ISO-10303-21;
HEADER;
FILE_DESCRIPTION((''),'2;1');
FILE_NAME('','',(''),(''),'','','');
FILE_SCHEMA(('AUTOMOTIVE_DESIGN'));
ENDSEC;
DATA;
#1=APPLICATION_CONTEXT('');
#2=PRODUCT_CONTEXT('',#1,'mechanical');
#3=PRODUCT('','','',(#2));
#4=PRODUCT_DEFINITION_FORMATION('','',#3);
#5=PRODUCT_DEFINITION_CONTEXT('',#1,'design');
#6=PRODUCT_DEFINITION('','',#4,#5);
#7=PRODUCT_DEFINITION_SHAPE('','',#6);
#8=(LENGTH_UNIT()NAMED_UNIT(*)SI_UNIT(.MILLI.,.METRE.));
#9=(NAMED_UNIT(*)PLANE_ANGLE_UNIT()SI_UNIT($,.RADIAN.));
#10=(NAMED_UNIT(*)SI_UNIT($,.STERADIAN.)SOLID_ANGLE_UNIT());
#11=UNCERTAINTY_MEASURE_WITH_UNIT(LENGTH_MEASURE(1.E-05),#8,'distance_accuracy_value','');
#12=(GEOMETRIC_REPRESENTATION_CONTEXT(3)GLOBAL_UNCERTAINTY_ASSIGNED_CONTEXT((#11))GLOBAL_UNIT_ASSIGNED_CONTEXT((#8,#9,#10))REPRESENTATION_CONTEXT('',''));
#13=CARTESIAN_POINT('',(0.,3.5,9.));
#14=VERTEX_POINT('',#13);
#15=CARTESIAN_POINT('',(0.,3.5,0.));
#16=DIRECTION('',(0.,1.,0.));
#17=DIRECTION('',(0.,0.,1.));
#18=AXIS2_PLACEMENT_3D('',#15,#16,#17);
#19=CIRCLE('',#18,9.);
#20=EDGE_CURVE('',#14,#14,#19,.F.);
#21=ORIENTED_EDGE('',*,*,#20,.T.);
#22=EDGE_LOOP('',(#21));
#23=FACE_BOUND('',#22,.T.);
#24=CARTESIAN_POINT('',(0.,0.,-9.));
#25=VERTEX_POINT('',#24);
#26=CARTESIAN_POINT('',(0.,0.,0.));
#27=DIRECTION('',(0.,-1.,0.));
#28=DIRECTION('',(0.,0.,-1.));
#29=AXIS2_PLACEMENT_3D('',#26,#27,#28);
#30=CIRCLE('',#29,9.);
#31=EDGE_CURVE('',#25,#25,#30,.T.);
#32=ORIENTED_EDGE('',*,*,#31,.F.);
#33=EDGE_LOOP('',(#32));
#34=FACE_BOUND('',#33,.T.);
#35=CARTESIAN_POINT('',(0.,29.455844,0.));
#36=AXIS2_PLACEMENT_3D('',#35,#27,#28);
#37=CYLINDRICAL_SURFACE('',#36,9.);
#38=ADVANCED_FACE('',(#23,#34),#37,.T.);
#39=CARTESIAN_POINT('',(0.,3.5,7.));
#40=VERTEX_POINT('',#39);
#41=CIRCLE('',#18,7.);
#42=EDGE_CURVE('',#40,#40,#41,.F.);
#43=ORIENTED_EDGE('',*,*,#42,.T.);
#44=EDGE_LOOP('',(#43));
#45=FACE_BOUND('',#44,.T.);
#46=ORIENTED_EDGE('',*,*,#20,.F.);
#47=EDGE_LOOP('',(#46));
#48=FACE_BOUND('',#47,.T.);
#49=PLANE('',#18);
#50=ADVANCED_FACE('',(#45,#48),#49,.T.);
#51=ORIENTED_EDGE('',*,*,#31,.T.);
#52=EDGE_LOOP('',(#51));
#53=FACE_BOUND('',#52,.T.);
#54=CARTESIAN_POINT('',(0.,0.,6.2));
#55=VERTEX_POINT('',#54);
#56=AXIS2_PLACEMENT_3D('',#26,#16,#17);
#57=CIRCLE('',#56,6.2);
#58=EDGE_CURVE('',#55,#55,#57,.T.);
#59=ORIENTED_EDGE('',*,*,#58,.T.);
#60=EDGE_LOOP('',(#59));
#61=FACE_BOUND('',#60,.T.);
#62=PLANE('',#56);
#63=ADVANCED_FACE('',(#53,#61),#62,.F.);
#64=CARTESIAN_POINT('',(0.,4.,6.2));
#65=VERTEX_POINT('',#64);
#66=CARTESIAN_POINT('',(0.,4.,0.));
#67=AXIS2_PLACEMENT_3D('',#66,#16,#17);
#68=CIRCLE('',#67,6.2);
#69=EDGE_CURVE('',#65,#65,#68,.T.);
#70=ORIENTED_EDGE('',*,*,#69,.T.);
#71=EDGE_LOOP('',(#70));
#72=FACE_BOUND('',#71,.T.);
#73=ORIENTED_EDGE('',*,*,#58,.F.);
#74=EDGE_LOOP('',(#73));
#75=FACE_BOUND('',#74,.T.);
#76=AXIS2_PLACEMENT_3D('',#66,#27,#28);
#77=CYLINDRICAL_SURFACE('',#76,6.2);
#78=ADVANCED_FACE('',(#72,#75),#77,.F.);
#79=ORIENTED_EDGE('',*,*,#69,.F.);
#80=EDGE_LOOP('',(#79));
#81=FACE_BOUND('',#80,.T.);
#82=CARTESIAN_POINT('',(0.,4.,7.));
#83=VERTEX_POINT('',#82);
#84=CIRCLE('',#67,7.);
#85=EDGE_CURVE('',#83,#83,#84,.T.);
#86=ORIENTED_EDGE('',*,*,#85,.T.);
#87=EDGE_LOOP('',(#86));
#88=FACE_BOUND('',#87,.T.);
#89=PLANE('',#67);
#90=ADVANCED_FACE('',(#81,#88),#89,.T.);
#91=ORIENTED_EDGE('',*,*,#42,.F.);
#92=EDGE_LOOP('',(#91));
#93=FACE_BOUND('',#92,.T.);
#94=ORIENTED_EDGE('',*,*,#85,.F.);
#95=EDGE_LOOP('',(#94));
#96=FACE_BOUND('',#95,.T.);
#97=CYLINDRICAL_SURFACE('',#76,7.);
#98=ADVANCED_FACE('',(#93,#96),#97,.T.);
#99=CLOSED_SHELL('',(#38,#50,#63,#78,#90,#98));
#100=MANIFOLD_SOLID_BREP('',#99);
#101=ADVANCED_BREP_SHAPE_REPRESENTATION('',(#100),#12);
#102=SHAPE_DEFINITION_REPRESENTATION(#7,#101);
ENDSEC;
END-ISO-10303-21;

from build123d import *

# Parameters (mm, degrees)
SKETCH_1_R      = 7
SKETCH_1_R_2    = 6.2
EXTRUDE_1_DEPTH = 4
SKETCH_2_R      = 9
SKETCH_2_R_2    = 7
EXTRUDE_2_DEPTH = 3.5


with BuildPart() as part:
    # 草图1 → 凸台-拉伸1 (new body)
    with BuildSketch(Plane(origin=(0, 0, 0), x_dir=(1, 0, 0), z_dir=(0, 1, 0))):
        with Locations(Location((0, 0, 0), (0, 0, 270))):
            Circle(SKETCH_1_R)
        with Locations(Location((0, 0, 0), (0, 0, 270))):
            Circle(SKETCH_1_R_2, mode=Mode.SUBTRACT)
    extrude(amount=EXTRUDE_1_DEPTH)

    # 草图2 → 凸台-拉伸2 (add)
    with BuildSketch(Plane.XZ):
        with Locations(Location((0, 0, 0), (0, 0, 270))):
            Circle(SKETCH_2_R)
        with Locations(Location((0, 0, 0), (0, 0, 90))):
            Circle(SKETCH_2_R_2, mode=Mode.SUBTRACT)
    extrude(amount=-EXTRUDE_2_DEPTH)


solid = part.part
